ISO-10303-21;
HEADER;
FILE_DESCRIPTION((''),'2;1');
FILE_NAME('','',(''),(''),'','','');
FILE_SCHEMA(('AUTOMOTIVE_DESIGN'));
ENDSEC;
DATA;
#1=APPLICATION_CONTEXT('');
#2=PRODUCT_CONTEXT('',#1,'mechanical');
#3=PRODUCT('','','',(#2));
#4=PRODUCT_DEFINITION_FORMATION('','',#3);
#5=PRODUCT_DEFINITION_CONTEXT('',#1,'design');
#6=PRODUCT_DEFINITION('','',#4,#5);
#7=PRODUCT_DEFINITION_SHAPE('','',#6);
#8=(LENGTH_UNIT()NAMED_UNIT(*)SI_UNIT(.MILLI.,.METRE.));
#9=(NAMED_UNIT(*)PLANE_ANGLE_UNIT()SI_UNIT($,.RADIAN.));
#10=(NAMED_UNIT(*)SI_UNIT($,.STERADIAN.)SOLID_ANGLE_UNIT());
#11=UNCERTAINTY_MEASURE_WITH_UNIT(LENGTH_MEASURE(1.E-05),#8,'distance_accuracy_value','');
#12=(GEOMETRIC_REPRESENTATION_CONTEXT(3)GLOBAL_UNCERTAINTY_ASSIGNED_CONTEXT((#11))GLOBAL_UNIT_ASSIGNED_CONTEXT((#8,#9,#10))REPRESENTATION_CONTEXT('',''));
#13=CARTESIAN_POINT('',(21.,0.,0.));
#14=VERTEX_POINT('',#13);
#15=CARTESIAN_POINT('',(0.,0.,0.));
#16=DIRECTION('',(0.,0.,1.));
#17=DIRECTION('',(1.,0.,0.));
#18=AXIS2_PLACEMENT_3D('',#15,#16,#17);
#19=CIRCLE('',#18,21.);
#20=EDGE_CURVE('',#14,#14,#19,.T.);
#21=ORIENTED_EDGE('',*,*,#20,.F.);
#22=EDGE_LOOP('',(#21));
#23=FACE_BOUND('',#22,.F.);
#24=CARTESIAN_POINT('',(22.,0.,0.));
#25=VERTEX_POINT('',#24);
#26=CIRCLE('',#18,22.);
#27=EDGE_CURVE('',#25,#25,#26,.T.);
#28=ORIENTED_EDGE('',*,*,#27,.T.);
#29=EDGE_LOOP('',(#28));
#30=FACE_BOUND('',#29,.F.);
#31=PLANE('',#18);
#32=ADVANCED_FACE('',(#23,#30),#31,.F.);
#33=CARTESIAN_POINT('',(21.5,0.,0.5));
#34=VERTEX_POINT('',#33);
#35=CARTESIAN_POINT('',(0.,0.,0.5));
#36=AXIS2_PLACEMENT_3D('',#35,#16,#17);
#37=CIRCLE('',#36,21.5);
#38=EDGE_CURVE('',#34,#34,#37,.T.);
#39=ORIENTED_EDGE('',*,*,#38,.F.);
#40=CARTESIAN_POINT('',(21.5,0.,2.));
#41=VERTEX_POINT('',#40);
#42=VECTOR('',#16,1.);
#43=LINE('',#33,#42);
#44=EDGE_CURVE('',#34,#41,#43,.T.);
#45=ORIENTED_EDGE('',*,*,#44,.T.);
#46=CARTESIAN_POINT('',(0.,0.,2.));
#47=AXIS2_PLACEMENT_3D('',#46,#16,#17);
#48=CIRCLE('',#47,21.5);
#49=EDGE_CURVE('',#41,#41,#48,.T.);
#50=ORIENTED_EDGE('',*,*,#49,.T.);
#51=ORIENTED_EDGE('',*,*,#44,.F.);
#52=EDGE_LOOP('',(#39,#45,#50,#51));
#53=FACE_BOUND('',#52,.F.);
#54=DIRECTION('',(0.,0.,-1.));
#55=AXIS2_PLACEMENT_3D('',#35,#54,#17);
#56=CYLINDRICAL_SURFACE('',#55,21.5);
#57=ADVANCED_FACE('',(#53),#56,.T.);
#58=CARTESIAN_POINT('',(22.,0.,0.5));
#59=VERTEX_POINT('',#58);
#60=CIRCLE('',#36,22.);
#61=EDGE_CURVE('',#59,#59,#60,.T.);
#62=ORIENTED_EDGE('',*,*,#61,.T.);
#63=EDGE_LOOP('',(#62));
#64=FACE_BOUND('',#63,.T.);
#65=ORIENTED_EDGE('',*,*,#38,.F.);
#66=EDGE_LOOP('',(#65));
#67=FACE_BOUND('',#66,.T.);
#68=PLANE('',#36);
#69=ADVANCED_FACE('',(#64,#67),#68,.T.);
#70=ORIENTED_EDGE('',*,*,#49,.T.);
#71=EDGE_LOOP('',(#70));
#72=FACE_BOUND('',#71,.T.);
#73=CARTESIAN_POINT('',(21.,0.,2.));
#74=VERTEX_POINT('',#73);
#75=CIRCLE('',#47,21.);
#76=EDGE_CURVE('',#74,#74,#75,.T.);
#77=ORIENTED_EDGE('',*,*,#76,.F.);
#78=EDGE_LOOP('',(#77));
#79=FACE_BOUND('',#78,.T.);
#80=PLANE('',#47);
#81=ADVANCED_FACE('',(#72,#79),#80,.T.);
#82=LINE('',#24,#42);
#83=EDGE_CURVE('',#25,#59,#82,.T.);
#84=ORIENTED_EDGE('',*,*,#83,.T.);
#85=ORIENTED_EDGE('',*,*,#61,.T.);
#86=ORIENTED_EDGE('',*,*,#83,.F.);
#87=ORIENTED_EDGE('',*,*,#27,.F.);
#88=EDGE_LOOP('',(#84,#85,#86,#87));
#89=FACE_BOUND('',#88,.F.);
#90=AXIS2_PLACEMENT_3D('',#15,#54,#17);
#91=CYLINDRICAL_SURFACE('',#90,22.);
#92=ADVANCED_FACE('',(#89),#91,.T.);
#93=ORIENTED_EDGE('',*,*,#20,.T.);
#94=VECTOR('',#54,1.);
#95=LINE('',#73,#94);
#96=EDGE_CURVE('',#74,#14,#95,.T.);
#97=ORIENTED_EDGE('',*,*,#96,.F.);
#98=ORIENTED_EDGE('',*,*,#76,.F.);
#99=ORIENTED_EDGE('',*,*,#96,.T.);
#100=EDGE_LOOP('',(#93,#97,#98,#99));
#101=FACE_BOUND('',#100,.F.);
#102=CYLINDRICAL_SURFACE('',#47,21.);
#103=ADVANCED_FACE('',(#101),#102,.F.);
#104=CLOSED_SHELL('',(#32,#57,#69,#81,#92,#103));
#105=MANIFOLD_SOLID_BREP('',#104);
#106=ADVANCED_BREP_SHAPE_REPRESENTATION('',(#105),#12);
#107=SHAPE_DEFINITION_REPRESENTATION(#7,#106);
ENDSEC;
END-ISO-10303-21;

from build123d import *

# Parameters (mm, degrees)
SKETCH_R     = 22
PAD_DEPTH    = 0.5
SKETCH001_R  = 21.5
PAD001_DEPTH = 1.5
SKETCH002_R  = 21
POCKET_DEPTH = 5


with BuildPart() as part:
    # Sketch → Pad (new body)
    with BuildSketch(Plane.XY):
        Circle(SKETCH_R)
    extrude(amount=PAD_DEPTH)

    # Sketch001 (on Face3 of Pad) → Pad001 (join)
    with BuildSketch(Plane.XY.offset(0.5)):
        Circle(SKETCH001_R)
    extrude(amount=PAD001_DEPTH)

    # Sketch002 (on Face5 of Pad001) → Pocket (cut)
    with BuildSketch(Plane.XY.offset(2)):
        Circle(SKETCH002_R)
    extrude(amount=-POCKET_DEPTH, mode=Mode.SUBTRACT)


solid = part.part
